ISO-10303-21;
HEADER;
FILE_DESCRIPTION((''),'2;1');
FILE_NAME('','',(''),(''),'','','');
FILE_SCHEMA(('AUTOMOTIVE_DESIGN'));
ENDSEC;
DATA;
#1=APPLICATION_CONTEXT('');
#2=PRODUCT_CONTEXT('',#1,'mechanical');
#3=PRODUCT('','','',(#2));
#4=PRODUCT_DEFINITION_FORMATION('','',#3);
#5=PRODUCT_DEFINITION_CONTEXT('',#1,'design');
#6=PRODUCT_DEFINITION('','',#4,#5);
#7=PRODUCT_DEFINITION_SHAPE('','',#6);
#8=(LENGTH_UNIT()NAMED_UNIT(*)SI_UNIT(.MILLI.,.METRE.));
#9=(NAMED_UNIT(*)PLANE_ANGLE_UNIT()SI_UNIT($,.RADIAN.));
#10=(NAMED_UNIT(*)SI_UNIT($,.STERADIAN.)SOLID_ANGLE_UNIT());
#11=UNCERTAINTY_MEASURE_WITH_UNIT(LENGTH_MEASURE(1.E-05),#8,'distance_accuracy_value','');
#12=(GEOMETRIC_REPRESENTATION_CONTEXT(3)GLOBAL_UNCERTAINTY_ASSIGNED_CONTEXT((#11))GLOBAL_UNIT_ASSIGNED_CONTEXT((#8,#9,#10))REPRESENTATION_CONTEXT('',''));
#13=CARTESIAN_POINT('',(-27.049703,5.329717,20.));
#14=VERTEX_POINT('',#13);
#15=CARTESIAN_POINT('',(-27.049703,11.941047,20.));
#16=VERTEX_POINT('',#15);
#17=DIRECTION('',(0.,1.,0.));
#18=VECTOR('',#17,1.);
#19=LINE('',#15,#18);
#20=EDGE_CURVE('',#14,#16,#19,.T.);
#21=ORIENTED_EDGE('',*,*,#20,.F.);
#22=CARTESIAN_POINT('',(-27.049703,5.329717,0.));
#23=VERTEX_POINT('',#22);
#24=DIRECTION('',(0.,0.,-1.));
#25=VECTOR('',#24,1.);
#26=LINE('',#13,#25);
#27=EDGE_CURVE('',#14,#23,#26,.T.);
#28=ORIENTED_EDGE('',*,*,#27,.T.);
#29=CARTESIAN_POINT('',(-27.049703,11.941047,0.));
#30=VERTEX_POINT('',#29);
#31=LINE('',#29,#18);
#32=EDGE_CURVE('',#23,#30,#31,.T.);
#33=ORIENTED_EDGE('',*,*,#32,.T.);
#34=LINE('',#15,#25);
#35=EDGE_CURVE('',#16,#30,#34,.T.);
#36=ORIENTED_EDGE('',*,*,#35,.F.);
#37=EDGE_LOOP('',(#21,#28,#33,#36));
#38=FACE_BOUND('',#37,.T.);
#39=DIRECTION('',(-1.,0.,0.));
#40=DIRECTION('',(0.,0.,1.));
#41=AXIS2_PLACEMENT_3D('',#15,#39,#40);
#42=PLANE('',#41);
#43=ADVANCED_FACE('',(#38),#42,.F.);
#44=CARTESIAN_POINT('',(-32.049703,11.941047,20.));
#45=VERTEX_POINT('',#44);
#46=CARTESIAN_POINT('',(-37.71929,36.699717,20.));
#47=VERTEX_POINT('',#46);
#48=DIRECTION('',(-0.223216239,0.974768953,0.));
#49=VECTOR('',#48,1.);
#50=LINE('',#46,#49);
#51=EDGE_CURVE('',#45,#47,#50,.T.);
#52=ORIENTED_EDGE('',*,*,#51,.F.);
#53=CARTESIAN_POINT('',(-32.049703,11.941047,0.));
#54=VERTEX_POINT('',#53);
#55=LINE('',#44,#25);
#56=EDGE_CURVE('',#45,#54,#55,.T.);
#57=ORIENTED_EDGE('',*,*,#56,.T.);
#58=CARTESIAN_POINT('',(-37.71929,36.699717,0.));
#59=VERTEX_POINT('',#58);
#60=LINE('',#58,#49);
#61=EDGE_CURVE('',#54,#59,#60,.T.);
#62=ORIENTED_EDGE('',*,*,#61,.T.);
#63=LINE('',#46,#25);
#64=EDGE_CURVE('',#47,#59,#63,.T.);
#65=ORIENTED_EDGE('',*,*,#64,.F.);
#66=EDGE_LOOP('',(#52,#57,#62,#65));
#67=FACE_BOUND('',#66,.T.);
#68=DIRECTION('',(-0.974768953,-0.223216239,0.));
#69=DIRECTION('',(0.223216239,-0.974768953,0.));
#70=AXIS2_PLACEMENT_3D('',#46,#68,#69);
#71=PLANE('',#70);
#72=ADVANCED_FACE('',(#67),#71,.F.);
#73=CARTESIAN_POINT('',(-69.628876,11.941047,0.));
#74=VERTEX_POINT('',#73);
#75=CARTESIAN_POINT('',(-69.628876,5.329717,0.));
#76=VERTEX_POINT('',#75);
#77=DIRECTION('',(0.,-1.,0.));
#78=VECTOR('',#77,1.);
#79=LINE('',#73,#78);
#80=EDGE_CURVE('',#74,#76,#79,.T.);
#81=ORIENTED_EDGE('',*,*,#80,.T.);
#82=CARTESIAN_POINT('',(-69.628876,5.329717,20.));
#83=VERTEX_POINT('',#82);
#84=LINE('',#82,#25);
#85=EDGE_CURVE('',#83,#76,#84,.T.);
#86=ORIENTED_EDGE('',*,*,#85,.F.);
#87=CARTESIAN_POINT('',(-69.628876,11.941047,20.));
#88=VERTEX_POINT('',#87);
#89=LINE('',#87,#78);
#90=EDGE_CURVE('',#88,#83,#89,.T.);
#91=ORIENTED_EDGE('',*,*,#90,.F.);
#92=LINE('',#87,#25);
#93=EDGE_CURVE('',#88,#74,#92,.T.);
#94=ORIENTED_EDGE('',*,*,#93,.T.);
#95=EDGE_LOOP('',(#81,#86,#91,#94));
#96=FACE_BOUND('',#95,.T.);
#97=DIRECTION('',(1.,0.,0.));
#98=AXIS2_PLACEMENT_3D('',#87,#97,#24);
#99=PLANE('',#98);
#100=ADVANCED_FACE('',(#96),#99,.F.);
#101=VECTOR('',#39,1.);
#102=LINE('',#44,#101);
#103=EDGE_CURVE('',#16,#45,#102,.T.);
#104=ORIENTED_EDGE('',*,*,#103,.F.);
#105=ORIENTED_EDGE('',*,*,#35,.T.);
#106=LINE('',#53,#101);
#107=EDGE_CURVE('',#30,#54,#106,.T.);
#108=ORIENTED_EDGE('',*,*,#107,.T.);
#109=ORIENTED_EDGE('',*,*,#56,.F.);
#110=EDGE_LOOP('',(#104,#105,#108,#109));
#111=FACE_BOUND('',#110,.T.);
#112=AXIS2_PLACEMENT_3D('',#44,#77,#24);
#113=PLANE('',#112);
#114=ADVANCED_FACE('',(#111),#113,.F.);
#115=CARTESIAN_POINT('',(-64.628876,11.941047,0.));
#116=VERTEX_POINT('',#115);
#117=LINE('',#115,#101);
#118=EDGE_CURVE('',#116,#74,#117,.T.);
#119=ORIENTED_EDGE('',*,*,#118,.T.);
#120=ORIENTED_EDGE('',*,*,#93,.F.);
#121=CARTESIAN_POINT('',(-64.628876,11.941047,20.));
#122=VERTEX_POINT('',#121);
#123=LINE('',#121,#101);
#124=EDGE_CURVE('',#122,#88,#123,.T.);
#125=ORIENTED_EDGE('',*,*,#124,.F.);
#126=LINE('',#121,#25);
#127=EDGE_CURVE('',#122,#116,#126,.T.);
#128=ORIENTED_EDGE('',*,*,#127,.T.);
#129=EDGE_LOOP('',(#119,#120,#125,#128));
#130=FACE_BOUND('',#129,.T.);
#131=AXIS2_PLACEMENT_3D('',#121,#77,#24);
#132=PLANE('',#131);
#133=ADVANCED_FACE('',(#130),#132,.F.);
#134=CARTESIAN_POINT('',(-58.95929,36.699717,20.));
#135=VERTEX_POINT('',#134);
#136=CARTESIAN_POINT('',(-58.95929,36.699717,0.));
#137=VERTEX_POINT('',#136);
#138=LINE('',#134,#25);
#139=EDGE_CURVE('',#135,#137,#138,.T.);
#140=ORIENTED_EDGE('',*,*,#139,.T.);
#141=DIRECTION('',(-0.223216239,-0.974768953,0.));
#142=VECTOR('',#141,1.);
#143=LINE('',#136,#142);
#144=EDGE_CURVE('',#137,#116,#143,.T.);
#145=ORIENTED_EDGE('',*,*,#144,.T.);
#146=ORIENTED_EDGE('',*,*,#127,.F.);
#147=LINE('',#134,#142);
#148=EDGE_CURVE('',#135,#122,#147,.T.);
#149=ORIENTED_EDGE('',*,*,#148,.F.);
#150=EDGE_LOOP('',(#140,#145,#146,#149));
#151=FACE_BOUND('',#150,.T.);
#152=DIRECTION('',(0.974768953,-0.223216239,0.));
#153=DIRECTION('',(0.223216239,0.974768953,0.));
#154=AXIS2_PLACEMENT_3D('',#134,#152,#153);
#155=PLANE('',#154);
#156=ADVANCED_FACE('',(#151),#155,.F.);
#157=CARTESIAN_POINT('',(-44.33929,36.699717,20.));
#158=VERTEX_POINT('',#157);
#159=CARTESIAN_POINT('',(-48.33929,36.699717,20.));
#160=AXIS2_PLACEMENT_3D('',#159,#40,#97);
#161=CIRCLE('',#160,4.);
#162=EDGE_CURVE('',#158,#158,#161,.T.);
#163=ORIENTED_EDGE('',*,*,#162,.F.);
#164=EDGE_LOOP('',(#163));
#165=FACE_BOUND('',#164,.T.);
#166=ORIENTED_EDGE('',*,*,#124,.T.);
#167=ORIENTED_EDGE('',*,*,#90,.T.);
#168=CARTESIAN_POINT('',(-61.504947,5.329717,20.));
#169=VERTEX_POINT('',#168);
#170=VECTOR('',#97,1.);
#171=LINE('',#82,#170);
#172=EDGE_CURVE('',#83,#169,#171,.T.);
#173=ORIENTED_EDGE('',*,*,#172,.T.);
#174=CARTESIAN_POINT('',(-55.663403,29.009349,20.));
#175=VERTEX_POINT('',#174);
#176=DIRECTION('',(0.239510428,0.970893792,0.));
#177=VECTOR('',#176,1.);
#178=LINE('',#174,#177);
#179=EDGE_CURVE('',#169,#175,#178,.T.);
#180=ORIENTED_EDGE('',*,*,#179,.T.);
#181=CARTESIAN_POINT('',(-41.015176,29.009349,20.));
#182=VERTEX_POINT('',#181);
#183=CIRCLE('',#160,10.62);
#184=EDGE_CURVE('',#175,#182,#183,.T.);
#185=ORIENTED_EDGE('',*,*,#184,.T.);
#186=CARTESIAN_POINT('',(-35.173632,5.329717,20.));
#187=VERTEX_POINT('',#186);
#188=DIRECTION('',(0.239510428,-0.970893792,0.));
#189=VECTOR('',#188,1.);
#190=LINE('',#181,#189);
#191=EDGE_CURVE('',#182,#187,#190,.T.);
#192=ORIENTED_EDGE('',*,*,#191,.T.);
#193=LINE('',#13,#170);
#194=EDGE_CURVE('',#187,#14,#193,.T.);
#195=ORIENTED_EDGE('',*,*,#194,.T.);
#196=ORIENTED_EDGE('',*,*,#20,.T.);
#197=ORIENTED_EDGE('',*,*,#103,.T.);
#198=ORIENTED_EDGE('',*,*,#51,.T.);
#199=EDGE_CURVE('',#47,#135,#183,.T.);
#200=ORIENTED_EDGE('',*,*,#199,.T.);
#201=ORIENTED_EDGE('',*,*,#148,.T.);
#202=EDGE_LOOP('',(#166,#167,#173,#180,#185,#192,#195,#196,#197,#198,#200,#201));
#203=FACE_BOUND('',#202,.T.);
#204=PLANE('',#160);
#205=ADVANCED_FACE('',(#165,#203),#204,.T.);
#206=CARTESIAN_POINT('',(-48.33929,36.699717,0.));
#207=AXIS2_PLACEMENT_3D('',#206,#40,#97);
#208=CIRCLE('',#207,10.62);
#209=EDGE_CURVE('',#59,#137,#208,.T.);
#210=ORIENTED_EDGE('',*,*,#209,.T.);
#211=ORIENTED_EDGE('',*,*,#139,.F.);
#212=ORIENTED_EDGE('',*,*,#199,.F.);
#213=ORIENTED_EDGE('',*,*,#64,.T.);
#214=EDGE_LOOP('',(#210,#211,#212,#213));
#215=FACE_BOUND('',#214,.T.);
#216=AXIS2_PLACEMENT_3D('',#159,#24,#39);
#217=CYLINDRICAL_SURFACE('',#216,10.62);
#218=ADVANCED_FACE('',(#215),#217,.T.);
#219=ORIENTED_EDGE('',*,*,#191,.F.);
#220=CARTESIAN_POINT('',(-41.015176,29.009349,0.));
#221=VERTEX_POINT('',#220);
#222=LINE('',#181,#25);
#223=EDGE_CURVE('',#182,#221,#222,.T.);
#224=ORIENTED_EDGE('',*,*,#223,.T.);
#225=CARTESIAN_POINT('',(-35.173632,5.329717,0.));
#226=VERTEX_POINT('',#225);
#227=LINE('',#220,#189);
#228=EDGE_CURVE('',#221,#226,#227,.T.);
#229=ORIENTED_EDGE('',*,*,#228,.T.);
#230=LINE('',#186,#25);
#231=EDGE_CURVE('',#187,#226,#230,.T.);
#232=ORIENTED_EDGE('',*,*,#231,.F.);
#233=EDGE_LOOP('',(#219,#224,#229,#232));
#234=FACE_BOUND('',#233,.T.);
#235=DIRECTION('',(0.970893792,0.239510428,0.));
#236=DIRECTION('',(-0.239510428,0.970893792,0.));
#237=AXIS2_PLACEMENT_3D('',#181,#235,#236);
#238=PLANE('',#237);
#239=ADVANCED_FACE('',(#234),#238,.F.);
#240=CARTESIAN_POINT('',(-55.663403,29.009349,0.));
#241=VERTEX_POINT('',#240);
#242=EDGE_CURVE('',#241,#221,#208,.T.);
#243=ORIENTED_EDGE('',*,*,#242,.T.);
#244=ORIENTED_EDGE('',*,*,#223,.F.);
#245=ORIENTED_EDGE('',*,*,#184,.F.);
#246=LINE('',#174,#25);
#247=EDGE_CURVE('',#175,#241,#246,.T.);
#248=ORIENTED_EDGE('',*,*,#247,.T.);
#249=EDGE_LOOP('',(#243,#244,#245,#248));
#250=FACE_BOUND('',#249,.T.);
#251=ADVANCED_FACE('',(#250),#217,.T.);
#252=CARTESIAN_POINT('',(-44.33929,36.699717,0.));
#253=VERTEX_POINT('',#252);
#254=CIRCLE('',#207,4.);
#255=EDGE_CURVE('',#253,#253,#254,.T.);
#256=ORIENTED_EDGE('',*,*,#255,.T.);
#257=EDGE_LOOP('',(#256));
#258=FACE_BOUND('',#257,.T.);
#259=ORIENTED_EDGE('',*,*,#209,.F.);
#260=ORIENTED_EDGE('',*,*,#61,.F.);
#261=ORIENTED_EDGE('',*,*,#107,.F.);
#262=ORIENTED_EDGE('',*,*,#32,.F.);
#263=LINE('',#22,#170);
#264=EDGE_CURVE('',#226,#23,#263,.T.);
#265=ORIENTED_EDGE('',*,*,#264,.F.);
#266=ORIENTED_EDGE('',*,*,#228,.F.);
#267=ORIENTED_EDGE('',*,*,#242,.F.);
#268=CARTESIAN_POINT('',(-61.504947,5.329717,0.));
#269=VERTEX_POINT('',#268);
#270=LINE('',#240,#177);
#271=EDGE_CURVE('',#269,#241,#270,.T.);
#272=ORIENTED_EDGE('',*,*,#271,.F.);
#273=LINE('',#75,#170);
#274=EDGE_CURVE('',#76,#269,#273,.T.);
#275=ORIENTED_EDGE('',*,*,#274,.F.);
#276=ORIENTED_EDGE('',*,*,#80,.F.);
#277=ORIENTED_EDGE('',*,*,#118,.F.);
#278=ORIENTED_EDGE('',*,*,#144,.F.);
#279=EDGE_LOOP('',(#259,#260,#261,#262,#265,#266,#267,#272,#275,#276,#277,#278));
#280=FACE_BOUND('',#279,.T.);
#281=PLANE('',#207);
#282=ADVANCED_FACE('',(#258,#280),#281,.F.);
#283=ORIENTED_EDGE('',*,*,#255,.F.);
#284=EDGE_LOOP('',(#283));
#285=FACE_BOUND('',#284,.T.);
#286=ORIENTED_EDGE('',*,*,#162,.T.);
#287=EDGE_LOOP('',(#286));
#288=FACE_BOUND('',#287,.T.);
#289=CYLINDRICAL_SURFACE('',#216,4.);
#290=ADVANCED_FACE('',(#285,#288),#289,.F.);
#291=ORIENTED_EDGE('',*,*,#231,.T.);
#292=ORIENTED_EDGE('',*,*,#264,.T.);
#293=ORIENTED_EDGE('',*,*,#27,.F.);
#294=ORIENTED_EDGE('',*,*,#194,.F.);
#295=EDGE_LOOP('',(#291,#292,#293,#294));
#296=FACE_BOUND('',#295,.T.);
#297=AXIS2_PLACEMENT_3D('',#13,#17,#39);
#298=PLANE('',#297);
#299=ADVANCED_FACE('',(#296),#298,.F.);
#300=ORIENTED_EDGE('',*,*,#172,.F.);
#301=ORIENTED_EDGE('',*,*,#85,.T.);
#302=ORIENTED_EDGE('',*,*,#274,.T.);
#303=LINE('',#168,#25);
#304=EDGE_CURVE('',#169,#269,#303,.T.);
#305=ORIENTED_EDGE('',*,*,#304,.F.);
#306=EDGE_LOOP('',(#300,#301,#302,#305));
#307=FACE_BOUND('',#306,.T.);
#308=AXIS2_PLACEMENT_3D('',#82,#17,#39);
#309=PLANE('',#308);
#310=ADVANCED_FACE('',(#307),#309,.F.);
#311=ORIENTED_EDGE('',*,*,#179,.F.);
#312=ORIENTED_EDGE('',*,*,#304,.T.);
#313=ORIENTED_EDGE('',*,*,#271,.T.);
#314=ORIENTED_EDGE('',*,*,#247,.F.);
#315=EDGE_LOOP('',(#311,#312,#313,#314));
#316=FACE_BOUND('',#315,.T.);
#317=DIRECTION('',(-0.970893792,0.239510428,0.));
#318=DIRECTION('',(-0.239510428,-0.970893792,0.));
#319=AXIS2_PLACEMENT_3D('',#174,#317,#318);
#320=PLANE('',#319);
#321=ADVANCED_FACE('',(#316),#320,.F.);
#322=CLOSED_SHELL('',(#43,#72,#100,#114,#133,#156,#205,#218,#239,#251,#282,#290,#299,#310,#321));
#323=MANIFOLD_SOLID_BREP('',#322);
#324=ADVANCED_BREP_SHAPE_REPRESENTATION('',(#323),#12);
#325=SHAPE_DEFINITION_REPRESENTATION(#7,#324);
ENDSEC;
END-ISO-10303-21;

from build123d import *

# Parameters (mm, degrees)
SKETCH_1_R      = 4
EXTRUDE_1_DEPTH = 20


with BuildPart() as part:
    # 草图1 → 凸台-拉伸1 (new body)
    with BuildSketch(Plane.XY):
        with BuildLine():
            Line((-37.719289559, 36.699716541), (-32.049702854, 11.94104698))
            Line((-32.049702854, 11.94104698), (-27.049702854, 11.94104698))
            Line((-27.049702854, 11.94104698), (-27.049702854, 5.329716541))
            Line((-27.049702854, 5.329716541), (-35.173631719, 5.329716541))
            Line((-35.173631719, 5.329716541), (-41.015175762, 29.009348728))
            ThreePointArc((-41.015175762, 29.009348728), (-48.339289559, 26.079716541), (-55.663403355, 29.009348728))
            Line((-55.663403355, 29.009348728), (-61.504947398, 5.329716541))
            Line((-61.504947398, 5.329716541), (-69.628876263, 5.329716541))
            Line((-69.628876263, 5.329716541), (-69.628876263, 11.94104698))
            Line((-69.628876263, 11.94104698), (-64.628876263, 11.94104698))
            Line((-64.628876263, 11.94104698), (-58.959289559, 36.699716541))
            ThreePointArc((-58.959289559, 36.699716541), (-48.339289559, 47.319716541), (-37.719289559, 36.699716541))
        make_face()
        with Locations((-48.339289559, 36.699716541)):
            Circle(SKETCH_1_R, mode=Mode.SUBTRACT)
    extrude(amount=EXTRUDE_1_DEPTH)


solid = part.part
